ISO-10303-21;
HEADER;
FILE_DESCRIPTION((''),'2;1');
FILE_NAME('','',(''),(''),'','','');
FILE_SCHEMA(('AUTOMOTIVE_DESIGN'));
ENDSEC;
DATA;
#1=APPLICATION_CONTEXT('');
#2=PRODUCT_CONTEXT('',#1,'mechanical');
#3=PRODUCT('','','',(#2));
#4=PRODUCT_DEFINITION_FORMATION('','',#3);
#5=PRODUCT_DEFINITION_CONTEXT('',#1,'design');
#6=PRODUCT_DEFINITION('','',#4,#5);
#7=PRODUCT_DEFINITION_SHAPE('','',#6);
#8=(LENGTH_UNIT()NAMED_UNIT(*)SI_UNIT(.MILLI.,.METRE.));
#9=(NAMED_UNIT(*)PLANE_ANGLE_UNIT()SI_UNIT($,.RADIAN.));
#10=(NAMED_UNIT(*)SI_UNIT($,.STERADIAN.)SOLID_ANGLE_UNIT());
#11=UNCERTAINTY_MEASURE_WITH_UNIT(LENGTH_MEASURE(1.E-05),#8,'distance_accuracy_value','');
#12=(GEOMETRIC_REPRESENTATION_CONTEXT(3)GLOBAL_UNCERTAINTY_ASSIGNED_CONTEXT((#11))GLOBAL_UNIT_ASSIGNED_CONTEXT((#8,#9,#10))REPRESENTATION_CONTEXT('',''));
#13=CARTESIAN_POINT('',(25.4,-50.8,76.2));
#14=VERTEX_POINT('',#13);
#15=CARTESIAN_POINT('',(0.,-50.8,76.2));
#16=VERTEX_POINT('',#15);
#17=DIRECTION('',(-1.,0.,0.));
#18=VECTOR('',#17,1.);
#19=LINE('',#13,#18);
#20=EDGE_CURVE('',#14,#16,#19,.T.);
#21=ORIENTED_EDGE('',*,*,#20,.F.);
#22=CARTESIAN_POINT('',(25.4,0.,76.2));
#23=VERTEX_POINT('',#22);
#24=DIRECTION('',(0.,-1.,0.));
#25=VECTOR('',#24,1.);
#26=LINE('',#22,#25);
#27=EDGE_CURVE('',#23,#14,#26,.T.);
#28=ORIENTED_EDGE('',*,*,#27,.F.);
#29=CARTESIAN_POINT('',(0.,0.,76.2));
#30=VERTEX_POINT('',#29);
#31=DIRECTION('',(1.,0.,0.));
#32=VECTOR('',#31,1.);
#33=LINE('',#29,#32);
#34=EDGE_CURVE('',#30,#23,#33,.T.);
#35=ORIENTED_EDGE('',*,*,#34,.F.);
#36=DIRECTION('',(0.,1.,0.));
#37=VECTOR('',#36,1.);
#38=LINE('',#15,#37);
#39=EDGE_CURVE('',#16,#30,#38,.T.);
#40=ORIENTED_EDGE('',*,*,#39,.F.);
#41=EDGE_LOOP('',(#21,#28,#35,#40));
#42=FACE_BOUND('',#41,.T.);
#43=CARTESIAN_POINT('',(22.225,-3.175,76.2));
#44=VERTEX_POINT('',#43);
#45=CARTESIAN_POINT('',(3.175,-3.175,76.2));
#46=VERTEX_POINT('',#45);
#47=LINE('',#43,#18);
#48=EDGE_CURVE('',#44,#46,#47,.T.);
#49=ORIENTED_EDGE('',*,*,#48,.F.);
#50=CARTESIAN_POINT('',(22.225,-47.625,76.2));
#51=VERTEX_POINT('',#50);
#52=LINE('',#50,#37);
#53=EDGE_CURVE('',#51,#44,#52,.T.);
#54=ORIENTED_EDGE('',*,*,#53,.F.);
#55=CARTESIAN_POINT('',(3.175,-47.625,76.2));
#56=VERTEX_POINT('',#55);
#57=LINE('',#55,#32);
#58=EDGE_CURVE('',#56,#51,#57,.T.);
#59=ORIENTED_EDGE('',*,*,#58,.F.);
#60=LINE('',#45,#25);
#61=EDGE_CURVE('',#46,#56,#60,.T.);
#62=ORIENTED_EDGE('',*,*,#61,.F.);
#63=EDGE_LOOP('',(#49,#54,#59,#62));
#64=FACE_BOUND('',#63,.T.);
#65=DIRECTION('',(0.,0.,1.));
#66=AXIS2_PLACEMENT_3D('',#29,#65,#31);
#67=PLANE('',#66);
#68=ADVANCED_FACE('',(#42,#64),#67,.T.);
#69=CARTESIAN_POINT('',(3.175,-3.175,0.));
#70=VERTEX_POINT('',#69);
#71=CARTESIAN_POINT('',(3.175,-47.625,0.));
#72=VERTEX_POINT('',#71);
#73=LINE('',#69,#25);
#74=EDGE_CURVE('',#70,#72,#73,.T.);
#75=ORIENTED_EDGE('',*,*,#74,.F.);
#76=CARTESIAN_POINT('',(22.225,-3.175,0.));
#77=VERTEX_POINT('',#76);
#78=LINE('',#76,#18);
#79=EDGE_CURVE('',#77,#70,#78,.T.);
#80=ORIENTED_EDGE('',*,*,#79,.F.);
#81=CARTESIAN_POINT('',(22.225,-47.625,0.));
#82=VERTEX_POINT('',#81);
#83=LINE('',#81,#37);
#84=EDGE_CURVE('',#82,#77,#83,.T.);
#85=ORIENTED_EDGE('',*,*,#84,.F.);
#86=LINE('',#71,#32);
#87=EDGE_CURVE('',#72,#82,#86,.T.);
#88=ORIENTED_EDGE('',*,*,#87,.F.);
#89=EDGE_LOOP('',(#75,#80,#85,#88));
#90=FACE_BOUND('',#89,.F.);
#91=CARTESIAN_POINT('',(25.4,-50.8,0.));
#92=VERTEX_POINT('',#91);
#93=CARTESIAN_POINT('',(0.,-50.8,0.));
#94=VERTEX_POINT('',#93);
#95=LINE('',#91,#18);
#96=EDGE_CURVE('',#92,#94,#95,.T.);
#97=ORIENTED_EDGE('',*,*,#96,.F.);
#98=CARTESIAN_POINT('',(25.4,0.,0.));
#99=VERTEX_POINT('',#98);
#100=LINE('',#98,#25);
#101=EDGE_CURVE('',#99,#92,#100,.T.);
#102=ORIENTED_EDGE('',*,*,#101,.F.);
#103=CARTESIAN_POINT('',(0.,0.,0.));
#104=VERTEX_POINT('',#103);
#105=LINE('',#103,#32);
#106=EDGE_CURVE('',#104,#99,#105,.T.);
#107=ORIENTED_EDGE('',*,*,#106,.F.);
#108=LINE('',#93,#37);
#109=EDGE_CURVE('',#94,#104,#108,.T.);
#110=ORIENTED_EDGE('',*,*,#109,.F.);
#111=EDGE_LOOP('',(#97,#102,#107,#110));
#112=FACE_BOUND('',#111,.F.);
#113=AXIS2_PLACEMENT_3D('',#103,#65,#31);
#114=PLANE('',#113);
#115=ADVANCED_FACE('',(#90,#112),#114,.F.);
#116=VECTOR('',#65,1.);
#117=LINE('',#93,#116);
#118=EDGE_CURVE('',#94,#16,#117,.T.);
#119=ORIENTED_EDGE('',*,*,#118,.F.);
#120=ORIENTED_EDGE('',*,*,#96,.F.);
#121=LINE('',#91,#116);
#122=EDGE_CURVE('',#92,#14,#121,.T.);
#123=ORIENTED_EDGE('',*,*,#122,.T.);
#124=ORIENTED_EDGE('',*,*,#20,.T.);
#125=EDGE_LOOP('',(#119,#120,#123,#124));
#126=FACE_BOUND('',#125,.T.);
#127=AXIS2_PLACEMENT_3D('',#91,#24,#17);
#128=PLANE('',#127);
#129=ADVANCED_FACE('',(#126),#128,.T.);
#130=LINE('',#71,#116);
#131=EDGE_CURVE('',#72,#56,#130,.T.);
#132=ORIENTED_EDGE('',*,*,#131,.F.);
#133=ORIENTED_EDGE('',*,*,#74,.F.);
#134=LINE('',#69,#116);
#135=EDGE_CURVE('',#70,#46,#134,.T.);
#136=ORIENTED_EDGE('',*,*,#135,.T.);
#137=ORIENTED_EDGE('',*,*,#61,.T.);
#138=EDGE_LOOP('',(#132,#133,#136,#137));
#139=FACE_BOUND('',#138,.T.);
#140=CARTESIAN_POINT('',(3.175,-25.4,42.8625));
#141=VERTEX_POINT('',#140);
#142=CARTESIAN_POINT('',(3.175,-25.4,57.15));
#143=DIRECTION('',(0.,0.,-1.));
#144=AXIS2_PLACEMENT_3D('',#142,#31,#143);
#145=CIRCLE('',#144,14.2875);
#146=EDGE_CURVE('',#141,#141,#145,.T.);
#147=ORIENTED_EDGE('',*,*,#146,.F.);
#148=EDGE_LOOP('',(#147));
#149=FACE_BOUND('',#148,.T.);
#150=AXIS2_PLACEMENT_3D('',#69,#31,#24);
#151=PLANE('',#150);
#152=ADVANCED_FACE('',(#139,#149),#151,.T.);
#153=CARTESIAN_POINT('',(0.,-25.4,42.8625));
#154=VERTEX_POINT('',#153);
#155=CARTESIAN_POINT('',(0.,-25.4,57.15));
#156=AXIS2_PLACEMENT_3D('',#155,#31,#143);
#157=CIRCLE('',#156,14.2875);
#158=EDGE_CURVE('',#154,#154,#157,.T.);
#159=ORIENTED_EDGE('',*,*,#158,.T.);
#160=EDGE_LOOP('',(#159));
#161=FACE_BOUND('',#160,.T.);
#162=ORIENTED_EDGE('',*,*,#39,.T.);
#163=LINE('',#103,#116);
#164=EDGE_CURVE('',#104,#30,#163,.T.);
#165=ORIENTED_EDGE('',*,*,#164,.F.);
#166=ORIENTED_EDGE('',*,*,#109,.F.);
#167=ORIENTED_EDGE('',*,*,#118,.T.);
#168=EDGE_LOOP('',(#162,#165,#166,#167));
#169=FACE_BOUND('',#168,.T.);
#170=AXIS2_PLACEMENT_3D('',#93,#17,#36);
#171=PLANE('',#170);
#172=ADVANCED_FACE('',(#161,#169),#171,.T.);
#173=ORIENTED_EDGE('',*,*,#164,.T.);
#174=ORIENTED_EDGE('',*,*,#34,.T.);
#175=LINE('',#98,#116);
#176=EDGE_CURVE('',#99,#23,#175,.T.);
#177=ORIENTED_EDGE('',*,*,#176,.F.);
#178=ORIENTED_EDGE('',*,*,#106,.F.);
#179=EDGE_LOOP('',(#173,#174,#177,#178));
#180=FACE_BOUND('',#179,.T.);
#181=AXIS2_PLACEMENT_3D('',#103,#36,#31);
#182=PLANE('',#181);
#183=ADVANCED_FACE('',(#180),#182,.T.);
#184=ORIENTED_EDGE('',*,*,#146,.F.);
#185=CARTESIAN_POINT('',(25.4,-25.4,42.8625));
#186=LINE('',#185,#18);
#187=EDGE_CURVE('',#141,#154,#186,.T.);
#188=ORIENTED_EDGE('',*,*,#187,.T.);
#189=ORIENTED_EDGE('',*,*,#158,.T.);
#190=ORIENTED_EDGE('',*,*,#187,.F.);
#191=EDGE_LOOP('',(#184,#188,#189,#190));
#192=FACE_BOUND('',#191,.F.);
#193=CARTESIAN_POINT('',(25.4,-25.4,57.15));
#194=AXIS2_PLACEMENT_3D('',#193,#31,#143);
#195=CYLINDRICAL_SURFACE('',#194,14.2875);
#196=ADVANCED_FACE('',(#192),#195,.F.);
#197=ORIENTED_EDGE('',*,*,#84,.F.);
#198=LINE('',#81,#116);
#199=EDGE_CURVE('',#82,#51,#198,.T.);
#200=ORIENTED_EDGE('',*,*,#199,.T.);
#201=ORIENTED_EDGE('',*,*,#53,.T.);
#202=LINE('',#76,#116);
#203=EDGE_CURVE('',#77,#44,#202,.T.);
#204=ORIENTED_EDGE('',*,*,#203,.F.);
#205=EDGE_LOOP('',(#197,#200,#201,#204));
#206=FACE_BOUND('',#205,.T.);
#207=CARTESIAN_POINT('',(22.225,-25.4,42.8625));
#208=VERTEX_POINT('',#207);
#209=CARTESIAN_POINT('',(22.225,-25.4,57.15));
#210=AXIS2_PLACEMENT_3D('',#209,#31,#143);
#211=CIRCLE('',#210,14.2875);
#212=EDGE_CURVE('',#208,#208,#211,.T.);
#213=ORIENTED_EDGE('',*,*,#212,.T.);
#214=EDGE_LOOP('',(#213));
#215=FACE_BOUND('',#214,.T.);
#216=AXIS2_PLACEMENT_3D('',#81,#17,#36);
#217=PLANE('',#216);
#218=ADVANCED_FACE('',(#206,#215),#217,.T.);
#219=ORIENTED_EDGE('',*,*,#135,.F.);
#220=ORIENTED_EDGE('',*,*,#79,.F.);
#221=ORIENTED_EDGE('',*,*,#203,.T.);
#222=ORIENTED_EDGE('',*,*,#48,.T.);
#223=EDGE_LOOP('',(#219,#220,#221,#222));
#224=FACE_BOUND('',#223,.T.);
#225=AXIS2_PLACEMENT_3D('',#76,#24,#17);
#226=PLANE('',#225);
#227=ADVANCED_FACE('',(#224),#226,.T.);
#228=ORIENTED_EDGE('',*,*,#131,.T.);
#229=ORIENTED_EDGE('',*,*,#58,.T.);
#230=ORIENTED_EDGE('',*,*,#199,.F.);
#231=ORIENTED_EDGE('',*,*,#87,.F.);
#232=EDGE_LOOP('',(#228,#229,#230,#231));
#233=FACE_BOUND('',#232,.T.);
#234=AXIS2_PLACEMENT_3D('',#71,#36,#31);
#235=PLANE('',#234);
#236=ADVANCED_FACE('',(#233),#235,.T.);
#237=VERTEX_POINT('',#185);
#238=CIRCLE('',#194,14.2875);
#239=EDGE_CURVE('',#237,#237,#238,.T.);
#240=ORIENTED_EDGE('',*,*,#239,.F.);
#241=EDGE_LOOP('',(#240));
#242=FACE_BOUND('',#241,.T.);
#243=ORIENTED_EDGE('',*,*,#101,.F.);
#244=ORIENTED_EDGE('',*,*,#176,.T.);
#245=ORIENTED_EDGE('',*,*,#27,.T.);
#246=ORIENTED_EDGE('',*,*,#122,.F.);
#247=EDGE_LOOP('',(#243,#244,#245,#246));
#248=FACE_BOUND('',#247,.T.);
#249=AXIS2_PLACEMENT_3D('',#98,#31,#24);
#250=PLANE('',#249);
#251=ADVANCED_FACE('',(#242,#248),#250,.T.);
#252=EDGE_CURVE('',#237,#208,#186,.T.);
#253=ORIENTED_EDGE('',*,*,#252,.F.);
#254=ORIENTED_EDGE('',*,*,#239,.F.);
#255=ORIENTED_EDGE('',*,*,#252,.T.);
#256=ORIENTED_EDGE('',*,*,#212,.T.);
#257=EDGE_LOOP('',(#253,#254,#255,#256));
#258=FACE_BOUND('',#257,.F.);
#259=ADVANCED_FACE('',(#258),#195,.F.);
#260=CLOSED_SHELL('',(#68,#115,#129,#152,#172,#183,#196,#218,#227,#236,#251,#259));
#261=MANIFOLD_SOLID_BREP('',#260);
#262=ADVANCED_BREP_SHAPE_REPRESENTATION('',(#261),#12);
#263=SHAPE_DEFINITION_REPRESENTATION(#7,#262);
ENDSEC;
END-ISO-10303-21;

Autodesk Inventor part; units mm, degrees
ref_plane "YZ Plane" through (0, 0, 0) normal (1, 0, 0) x (0, 1, 0)
ref_plane "XZ Plane" through (0, 0, 0) normal (0, 1, 0) x (-1, 0, 0)
ref_plane "XY Plane" through (0, 0, 0) normal (0, 0, 1) x (1, 0, 0)
sketch "Sketch1" plane through (0, 0, 0) normal (0, 0, 1) x (1, 0, 0)
  line L0 (0, 0) -> (25.4, 0)
  line L1 (25.4, 0) -> (25.4, -50.8)
  line L2 (25.4, -50.8) -> (0, -50.8)
  line L3 (0, -50.8) -> (0, 0)
  line L4 (22.225, -3.175) -> (3.175, -3.175)
  line L5 (3.175, -3.175) -> (3.175, -47.625)
  line L6 (3.175, -47.625) -> (22.225, -47.625)
  line L7 (22.225, -47.625) -> (22.225, -3.175)
  dimension "d0" = 25.4
  dimension "d1" = 50.8
  dimension "d2" = 3.175
extrude "Extrusion1" add sketch "Sketch1" along normal blind 76.2
sketch "Sketch2" plane through (25.4, -50.8, 0) normal (1, 0, 0) x (0, 0, -1)
  circle A0 centre (-57.15, 25.4) radius 14.2875
  line L0 (-76.2, 0) -> (-76.2, 50.8) projected
  line L1 (0, 50.8) -> (-76.2, 50.8) projected
  dimension "d5" = 28.575
  dimension "d6" = 19.05
  dimension "d7" = 25.4
extrude "Extrusion2" cut sketch "Sketch2" against normal blind 50.8
properties part number "I small Block"
